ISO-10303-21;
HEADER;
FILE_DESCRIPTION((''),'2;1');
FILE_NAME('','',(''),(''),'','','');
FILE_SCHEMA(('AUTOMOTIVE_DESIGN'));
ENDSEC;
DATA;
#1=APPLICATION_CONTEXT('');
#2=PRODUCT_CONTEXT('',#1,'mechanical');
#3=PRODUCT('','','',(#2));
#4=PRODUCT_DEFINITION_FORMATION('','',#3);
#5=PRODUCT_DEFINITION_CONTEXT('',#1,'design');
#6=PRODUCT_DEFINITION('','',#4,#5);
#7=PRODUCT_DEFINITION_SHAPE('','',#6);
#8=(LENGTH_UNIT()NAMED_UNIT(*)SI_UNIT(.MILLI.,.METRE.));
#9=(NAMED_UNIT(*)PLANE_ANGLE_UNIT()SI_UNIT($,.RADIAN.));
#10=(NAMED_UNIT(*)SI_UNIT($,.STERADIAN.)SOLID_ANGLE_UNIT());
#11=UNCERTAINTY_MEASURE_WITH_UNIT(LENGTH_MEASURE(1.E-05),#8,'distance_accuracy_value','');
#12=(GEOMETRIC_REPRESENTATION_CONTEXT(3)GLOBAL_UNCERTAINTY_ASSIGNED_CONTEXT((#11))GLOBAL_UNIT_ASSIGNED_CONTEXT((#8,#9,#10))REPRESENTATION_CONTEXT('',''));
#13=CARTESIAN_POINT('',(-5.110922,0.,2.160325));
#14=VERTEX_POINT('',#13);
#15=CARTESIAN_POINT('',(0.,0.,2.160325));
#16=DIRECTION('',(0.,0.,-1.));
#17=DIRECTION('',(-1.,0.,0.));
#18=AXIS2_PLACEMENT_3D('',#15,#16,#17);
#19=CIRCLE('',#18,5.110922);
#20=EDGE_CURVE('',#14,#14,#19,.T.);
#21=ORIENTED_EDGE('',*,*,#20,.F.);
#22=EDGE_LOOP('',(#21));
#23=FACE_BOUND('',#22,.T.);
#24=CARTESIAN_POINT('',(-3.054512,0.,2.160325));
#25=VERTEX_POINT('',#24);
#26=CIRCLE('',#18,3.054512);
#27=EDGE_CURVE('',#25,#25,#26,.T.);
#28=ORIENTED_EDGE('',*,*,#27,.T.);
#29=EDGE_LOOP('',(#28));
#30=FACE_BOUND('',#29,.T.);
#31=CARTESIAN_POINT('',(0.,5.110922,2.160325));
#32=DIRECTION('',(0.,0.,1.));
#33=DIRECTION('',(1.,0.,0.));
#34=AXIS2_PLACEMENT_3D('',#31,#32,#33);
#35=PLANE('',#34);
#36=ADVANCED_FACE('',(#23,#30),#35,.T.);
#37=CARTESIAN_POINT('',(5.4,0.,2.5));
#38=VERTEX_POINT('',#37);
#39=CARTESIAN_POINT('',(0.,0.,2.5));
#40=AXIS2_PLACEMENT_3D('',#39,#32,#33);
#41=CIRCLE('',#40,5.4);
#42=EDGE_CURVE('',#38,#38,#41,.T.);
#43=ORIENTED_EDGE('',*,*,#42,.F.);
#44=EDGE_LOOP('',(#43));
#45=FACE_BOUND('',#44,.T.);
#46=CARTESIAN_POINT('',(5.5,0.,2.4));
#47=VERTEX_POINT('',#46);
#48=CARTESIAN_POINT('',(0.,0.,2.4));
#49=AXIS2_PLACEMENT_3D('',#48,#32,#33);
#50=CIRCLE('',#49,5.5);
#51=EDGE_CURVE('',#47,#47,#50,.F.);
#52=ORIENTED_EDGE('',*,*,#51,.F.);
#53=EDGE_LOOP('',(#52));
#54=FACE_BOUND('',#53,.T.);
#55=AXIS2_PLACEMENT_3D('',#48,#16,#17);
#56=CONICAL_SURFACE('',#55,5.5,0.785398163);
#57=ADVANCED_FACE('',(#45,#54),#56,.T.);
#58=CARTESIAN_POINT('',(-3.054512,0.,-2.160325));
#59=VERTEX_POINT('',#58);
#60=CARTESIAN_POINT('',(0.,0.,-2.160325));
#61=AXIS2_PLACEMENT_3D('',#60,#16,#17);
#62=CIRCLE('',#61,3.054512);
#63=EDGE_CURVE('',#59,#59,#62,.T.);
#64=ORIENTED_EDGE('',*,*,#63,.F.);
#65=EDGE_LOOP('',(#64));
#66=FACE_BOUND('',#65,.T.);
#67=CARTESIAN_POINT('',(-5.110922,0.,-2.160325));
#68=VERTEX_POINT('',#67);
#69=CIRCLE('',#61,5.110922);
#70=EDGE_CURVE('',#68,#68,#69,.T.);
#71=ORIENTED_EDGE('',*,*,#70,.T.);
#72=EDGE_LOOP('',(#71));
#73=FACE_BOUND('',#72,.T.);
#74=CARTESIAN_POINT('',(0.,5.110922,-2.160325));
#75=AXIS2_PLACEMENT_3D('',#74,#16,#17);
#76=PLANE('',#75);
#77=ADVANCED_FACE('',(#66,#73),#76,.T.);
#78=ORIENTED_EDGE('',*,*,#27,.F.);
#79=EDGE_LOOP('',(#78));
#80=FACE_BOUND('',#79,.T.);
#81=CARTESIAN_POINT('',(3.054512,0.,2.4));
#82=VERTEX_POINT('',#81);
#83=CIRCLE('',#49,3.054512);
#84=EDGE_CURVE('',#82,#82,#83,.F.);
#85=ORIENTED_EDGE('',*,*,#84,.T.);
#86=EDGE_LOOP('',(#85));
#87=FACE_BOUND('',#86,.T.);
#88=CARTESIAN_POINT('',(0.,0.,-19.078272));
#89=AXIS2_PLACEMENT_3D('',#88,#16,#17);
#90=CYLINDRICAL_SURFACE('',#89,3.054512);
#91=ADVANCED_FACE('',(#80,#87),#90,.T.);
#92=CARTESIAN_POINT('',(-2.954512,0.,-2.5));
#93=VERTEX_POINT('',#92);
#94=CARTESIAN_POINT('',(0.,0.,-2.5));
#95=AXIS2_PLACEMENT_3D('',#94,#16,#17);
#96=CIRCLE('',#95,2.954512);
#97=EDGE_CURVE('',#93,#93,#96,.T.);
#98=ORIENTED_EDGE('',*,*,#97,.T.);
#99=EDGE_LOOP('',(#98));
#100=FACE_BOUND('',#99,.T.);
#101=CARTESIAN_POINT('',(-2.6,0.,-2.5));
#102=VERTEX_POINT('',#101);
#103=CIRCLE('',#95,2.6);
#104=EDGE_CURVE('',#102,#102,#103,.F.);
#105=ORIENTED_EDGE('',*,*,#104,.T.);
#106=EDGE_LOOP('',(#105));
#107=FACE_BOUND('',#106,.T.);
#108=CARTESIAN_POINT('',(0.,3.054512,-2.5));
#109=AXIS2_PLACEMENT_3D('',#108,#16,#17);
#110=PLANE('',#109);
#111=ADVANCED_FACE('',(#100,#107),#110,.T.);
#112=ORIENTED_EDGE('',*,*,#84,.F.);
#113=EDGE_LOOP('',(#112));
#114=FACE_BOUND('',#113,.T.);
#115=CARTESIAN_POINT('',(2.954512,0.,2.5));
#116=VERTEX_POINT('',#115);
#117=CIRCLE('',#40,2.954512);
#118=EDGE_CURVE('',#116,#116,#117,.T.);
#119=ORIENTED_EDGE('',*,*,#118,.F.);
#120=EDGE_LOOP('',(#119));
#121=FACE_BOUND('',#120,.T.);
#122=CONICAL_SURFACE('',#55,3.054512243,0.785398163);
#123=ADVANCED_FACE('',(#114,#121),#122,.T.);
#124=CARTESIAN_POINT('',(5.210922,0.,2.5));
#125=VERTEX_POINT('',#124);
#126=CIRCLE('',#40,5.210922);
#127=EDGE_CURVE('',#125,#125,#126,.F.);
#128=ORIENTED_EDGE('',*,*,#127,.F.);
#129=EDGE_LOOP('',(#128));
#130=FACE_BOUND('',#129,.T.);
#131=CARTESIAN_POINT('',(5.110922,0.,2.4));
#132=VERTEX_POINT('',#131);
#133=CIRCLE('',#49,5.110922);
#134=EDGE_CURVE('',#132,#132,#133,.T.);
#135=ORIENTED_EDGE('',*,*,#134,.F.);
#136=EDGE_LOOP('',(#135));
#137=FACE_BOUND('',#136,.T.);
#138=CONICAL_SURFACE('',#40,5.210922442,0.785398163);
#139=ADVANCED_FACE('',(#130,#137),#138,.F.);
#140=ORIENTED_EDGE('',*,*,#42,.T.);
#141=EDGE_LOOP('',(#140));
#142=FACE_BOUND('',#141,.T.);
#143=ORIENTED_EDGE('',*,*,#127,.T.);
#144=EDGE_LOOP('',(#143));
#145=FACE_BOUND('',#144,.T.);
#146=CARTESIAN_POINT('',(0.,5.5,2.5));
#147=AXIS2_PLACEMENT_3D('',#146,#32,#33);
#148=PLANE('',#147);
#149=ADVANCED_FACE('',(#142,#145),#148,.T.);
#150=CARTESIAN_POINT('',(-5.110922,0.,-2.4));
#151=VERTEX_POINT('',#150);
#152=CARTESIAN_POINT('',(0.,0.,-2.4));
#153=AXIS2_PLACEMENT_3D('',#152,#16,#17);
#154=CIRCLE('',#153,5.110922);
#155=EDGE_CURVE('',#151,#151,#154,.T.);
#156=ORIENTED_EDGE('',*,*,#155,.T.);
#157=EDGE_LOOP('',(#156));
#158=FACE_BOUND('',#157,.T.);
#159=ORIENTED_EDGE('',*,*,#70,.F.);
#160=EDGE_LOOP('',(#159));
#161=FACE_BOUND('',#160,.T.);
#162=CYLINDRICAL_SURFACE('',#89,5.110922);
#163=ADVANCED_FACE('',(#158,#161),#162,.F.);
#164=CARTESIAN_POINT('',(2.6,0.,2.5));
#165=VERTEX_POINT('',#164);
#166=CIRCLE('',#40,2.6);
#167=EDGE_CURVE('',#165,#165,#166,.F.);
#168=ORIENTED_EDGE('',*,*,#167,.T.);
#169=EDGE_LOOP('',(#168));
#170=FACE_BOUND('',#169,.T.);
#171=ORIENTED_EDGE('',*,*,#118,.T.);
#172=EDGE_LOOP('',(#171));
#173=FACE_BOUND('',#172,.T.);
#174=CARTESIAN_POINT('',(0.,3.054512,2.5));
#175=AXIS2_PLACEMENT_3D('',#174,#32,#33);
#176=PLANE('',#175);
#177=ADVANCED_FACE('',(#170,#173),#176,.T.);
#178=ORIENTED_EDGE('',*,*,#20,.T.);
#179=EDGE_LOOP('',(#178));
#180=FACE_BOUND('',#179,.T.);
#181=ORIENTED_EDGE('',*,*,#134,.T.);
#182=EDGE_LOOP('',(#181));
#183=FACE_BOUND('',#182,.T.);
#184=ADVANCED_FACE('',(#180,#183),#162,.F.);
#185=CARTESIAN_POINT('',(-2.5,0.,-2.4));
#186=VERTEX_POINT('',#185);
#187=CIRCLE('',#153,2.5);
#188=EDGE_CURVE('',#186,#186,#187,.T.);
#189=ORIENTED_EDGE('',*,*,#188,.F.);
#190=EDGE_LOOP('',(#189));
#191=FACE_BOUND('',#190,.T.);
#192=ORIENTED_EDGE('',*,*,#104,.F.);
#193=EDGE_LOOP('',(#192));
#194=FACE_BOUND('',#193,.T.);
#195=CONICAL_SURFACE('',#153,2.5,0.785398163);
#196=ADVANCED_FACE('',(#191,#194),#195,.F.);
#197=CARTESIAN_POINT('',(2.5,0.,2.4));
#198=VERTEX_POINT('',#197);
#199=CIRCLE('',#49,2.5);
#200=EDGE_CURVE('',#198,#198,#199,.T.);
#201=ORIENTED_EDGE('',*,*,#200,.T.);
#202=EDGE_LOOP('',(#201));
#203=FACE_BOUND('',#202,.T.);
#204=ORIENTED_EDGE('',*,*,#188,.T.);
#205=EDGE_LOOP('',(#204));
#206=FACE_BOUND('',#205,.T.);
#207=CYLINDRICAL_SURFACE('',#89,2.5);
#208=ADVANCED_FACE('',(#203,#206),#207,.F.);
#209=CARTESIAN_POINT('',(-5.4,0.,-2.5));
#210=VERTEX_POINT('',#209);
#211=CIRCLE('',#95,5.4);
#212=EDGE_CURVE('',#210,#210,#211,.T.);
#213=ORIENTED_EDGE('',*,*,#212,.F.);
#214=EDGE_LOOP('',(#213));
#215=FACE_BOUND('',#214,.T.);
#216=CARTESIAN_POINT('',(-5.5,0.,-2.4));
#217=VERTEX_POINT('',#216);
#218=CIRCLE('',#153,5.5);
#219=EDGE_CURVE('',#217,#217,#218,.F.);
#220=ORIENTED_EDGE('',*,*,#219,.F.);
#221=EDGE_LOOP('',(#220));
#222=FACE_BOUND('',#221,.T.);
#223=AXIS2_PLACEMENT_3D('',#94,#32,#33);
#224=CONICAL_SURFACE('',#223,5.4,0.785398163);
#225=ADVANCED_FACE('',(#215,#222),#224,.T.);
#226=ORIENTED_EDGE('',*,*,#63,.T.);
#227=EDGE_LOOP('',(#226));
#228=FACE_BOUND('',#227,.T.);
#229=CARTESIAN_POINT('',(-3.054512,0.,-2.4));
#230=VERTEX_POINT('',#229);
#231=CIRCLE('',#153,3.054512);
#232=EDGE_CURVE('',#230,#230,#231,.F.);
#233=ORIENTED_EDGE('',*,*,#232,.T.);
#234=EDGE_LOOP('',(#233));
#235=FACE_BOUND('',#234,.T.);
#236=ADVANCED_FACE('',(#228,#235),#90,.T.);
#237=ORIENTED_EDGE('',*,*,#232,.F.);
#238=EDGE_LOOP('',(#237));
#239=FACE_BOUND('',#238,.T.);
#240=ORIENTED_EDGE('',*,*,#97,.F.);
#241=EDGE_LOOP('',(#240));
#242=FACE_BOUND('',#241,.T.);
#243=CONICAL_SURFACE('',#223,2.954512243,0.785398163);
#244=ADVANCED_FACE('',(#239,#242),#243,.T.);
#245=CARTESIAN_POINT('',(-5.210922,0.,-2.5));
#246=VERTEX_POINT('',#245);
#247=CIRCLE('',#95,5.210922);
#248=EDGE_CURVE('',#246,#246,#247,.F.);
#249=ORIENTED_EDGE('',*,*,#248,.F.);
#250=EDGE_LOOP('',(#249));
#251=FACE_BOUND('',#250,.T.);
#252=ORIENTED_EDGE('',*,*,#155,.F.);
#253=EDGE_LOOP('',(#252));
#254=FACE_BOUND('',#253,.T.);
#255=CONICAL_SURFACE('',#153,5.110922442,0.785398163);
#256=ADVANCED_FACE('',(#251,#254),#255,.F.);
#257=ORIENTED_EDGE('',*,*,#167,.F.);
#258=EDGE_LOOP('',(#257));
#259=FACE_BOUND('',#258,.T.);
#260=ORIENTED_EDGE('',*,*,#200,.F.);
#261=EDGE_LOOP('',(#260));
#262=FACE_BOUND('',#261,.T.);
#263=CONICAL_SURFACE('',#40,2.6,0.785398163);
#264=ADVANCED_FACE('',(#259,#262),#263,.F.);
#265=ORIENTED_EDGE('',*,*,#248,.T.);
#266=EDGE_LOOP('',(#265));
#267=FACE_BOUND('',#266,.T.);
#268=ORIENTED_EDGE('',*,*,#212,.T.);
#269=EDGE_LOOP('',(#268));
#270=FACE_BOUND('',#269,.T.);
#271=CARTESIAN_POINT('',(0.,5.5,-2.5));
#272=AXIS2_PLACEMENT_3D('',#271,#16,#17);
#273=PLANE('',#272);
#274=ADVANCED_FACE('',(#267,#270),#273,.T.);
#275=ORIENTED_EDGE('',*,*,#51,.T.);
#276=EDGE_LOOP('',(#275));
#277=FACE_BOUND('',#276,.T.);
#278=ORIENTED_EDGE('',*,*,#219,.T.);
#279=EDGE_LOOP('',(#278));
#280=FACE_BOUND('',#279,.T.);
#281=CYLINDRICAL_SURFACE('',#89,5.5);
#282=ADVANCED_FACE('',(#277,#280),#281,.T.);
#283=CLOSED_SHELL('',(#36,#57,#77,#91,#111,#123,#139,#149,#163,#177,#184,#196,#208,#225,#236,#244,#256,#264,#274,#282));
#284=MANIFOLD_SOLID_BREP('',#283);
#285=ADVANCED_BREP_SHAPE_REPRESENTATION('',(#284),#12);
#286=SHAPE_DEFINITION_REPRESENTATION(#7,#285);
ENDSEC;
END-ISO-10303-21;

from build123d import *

# Parameters (mm, degrees)
CHAMFER1_SIZE = 0.1


with BuildPart() as part:
    # Sketch1 → Revolve1 (revolve)
    with BuildSketch(Plane(origin=(0, 0, 0), x_dir=(0, 0, -1), z_dir=(1, 0, 0)), mode=Mode.PRIVATE) as revolve1_sk:
        Polygon((-2.5, 5.5), (2.5, 5.5), (2.5, 5.110922442), (2.160325371, 5.110922442), (2.160325371, 3.054512243), (2.5, 3.054512243), (2.5, 2.5), (-2.5, 2.5), (-2.5, 3.054512243), (-2.160325371, 3.054512243), (-2.160325371, 5.110922442), (-2.5, 5.110922442), align=None)
    revolve(revolve1_sk.sketch.rotate(Axis((0, 0, -19.078271996), (0, 0, 1)), 90), axis=Axis((0, 0, -19.078271996), (0, 0, 1)))

    # Chamfer1
    chamfer1_edges = [part.edges().sort_by_distance(p)[0] for p in [
        (5.110922442, 0, 2.5),
        (5.5, 0, 2.5),
        (5.5, 0, -2.5),
        (5.110922442, 0, -2.5),
        (3.054512243, 0, -2.5),
        (2.5, 0, -2.5),
        (2.5, 0, 2.5),
        (3.054512243, 0, 2.5),
    ]]
    chamfer(chamfer1_edges, length=CHAMFER1_SIZE)


solid = part.part
